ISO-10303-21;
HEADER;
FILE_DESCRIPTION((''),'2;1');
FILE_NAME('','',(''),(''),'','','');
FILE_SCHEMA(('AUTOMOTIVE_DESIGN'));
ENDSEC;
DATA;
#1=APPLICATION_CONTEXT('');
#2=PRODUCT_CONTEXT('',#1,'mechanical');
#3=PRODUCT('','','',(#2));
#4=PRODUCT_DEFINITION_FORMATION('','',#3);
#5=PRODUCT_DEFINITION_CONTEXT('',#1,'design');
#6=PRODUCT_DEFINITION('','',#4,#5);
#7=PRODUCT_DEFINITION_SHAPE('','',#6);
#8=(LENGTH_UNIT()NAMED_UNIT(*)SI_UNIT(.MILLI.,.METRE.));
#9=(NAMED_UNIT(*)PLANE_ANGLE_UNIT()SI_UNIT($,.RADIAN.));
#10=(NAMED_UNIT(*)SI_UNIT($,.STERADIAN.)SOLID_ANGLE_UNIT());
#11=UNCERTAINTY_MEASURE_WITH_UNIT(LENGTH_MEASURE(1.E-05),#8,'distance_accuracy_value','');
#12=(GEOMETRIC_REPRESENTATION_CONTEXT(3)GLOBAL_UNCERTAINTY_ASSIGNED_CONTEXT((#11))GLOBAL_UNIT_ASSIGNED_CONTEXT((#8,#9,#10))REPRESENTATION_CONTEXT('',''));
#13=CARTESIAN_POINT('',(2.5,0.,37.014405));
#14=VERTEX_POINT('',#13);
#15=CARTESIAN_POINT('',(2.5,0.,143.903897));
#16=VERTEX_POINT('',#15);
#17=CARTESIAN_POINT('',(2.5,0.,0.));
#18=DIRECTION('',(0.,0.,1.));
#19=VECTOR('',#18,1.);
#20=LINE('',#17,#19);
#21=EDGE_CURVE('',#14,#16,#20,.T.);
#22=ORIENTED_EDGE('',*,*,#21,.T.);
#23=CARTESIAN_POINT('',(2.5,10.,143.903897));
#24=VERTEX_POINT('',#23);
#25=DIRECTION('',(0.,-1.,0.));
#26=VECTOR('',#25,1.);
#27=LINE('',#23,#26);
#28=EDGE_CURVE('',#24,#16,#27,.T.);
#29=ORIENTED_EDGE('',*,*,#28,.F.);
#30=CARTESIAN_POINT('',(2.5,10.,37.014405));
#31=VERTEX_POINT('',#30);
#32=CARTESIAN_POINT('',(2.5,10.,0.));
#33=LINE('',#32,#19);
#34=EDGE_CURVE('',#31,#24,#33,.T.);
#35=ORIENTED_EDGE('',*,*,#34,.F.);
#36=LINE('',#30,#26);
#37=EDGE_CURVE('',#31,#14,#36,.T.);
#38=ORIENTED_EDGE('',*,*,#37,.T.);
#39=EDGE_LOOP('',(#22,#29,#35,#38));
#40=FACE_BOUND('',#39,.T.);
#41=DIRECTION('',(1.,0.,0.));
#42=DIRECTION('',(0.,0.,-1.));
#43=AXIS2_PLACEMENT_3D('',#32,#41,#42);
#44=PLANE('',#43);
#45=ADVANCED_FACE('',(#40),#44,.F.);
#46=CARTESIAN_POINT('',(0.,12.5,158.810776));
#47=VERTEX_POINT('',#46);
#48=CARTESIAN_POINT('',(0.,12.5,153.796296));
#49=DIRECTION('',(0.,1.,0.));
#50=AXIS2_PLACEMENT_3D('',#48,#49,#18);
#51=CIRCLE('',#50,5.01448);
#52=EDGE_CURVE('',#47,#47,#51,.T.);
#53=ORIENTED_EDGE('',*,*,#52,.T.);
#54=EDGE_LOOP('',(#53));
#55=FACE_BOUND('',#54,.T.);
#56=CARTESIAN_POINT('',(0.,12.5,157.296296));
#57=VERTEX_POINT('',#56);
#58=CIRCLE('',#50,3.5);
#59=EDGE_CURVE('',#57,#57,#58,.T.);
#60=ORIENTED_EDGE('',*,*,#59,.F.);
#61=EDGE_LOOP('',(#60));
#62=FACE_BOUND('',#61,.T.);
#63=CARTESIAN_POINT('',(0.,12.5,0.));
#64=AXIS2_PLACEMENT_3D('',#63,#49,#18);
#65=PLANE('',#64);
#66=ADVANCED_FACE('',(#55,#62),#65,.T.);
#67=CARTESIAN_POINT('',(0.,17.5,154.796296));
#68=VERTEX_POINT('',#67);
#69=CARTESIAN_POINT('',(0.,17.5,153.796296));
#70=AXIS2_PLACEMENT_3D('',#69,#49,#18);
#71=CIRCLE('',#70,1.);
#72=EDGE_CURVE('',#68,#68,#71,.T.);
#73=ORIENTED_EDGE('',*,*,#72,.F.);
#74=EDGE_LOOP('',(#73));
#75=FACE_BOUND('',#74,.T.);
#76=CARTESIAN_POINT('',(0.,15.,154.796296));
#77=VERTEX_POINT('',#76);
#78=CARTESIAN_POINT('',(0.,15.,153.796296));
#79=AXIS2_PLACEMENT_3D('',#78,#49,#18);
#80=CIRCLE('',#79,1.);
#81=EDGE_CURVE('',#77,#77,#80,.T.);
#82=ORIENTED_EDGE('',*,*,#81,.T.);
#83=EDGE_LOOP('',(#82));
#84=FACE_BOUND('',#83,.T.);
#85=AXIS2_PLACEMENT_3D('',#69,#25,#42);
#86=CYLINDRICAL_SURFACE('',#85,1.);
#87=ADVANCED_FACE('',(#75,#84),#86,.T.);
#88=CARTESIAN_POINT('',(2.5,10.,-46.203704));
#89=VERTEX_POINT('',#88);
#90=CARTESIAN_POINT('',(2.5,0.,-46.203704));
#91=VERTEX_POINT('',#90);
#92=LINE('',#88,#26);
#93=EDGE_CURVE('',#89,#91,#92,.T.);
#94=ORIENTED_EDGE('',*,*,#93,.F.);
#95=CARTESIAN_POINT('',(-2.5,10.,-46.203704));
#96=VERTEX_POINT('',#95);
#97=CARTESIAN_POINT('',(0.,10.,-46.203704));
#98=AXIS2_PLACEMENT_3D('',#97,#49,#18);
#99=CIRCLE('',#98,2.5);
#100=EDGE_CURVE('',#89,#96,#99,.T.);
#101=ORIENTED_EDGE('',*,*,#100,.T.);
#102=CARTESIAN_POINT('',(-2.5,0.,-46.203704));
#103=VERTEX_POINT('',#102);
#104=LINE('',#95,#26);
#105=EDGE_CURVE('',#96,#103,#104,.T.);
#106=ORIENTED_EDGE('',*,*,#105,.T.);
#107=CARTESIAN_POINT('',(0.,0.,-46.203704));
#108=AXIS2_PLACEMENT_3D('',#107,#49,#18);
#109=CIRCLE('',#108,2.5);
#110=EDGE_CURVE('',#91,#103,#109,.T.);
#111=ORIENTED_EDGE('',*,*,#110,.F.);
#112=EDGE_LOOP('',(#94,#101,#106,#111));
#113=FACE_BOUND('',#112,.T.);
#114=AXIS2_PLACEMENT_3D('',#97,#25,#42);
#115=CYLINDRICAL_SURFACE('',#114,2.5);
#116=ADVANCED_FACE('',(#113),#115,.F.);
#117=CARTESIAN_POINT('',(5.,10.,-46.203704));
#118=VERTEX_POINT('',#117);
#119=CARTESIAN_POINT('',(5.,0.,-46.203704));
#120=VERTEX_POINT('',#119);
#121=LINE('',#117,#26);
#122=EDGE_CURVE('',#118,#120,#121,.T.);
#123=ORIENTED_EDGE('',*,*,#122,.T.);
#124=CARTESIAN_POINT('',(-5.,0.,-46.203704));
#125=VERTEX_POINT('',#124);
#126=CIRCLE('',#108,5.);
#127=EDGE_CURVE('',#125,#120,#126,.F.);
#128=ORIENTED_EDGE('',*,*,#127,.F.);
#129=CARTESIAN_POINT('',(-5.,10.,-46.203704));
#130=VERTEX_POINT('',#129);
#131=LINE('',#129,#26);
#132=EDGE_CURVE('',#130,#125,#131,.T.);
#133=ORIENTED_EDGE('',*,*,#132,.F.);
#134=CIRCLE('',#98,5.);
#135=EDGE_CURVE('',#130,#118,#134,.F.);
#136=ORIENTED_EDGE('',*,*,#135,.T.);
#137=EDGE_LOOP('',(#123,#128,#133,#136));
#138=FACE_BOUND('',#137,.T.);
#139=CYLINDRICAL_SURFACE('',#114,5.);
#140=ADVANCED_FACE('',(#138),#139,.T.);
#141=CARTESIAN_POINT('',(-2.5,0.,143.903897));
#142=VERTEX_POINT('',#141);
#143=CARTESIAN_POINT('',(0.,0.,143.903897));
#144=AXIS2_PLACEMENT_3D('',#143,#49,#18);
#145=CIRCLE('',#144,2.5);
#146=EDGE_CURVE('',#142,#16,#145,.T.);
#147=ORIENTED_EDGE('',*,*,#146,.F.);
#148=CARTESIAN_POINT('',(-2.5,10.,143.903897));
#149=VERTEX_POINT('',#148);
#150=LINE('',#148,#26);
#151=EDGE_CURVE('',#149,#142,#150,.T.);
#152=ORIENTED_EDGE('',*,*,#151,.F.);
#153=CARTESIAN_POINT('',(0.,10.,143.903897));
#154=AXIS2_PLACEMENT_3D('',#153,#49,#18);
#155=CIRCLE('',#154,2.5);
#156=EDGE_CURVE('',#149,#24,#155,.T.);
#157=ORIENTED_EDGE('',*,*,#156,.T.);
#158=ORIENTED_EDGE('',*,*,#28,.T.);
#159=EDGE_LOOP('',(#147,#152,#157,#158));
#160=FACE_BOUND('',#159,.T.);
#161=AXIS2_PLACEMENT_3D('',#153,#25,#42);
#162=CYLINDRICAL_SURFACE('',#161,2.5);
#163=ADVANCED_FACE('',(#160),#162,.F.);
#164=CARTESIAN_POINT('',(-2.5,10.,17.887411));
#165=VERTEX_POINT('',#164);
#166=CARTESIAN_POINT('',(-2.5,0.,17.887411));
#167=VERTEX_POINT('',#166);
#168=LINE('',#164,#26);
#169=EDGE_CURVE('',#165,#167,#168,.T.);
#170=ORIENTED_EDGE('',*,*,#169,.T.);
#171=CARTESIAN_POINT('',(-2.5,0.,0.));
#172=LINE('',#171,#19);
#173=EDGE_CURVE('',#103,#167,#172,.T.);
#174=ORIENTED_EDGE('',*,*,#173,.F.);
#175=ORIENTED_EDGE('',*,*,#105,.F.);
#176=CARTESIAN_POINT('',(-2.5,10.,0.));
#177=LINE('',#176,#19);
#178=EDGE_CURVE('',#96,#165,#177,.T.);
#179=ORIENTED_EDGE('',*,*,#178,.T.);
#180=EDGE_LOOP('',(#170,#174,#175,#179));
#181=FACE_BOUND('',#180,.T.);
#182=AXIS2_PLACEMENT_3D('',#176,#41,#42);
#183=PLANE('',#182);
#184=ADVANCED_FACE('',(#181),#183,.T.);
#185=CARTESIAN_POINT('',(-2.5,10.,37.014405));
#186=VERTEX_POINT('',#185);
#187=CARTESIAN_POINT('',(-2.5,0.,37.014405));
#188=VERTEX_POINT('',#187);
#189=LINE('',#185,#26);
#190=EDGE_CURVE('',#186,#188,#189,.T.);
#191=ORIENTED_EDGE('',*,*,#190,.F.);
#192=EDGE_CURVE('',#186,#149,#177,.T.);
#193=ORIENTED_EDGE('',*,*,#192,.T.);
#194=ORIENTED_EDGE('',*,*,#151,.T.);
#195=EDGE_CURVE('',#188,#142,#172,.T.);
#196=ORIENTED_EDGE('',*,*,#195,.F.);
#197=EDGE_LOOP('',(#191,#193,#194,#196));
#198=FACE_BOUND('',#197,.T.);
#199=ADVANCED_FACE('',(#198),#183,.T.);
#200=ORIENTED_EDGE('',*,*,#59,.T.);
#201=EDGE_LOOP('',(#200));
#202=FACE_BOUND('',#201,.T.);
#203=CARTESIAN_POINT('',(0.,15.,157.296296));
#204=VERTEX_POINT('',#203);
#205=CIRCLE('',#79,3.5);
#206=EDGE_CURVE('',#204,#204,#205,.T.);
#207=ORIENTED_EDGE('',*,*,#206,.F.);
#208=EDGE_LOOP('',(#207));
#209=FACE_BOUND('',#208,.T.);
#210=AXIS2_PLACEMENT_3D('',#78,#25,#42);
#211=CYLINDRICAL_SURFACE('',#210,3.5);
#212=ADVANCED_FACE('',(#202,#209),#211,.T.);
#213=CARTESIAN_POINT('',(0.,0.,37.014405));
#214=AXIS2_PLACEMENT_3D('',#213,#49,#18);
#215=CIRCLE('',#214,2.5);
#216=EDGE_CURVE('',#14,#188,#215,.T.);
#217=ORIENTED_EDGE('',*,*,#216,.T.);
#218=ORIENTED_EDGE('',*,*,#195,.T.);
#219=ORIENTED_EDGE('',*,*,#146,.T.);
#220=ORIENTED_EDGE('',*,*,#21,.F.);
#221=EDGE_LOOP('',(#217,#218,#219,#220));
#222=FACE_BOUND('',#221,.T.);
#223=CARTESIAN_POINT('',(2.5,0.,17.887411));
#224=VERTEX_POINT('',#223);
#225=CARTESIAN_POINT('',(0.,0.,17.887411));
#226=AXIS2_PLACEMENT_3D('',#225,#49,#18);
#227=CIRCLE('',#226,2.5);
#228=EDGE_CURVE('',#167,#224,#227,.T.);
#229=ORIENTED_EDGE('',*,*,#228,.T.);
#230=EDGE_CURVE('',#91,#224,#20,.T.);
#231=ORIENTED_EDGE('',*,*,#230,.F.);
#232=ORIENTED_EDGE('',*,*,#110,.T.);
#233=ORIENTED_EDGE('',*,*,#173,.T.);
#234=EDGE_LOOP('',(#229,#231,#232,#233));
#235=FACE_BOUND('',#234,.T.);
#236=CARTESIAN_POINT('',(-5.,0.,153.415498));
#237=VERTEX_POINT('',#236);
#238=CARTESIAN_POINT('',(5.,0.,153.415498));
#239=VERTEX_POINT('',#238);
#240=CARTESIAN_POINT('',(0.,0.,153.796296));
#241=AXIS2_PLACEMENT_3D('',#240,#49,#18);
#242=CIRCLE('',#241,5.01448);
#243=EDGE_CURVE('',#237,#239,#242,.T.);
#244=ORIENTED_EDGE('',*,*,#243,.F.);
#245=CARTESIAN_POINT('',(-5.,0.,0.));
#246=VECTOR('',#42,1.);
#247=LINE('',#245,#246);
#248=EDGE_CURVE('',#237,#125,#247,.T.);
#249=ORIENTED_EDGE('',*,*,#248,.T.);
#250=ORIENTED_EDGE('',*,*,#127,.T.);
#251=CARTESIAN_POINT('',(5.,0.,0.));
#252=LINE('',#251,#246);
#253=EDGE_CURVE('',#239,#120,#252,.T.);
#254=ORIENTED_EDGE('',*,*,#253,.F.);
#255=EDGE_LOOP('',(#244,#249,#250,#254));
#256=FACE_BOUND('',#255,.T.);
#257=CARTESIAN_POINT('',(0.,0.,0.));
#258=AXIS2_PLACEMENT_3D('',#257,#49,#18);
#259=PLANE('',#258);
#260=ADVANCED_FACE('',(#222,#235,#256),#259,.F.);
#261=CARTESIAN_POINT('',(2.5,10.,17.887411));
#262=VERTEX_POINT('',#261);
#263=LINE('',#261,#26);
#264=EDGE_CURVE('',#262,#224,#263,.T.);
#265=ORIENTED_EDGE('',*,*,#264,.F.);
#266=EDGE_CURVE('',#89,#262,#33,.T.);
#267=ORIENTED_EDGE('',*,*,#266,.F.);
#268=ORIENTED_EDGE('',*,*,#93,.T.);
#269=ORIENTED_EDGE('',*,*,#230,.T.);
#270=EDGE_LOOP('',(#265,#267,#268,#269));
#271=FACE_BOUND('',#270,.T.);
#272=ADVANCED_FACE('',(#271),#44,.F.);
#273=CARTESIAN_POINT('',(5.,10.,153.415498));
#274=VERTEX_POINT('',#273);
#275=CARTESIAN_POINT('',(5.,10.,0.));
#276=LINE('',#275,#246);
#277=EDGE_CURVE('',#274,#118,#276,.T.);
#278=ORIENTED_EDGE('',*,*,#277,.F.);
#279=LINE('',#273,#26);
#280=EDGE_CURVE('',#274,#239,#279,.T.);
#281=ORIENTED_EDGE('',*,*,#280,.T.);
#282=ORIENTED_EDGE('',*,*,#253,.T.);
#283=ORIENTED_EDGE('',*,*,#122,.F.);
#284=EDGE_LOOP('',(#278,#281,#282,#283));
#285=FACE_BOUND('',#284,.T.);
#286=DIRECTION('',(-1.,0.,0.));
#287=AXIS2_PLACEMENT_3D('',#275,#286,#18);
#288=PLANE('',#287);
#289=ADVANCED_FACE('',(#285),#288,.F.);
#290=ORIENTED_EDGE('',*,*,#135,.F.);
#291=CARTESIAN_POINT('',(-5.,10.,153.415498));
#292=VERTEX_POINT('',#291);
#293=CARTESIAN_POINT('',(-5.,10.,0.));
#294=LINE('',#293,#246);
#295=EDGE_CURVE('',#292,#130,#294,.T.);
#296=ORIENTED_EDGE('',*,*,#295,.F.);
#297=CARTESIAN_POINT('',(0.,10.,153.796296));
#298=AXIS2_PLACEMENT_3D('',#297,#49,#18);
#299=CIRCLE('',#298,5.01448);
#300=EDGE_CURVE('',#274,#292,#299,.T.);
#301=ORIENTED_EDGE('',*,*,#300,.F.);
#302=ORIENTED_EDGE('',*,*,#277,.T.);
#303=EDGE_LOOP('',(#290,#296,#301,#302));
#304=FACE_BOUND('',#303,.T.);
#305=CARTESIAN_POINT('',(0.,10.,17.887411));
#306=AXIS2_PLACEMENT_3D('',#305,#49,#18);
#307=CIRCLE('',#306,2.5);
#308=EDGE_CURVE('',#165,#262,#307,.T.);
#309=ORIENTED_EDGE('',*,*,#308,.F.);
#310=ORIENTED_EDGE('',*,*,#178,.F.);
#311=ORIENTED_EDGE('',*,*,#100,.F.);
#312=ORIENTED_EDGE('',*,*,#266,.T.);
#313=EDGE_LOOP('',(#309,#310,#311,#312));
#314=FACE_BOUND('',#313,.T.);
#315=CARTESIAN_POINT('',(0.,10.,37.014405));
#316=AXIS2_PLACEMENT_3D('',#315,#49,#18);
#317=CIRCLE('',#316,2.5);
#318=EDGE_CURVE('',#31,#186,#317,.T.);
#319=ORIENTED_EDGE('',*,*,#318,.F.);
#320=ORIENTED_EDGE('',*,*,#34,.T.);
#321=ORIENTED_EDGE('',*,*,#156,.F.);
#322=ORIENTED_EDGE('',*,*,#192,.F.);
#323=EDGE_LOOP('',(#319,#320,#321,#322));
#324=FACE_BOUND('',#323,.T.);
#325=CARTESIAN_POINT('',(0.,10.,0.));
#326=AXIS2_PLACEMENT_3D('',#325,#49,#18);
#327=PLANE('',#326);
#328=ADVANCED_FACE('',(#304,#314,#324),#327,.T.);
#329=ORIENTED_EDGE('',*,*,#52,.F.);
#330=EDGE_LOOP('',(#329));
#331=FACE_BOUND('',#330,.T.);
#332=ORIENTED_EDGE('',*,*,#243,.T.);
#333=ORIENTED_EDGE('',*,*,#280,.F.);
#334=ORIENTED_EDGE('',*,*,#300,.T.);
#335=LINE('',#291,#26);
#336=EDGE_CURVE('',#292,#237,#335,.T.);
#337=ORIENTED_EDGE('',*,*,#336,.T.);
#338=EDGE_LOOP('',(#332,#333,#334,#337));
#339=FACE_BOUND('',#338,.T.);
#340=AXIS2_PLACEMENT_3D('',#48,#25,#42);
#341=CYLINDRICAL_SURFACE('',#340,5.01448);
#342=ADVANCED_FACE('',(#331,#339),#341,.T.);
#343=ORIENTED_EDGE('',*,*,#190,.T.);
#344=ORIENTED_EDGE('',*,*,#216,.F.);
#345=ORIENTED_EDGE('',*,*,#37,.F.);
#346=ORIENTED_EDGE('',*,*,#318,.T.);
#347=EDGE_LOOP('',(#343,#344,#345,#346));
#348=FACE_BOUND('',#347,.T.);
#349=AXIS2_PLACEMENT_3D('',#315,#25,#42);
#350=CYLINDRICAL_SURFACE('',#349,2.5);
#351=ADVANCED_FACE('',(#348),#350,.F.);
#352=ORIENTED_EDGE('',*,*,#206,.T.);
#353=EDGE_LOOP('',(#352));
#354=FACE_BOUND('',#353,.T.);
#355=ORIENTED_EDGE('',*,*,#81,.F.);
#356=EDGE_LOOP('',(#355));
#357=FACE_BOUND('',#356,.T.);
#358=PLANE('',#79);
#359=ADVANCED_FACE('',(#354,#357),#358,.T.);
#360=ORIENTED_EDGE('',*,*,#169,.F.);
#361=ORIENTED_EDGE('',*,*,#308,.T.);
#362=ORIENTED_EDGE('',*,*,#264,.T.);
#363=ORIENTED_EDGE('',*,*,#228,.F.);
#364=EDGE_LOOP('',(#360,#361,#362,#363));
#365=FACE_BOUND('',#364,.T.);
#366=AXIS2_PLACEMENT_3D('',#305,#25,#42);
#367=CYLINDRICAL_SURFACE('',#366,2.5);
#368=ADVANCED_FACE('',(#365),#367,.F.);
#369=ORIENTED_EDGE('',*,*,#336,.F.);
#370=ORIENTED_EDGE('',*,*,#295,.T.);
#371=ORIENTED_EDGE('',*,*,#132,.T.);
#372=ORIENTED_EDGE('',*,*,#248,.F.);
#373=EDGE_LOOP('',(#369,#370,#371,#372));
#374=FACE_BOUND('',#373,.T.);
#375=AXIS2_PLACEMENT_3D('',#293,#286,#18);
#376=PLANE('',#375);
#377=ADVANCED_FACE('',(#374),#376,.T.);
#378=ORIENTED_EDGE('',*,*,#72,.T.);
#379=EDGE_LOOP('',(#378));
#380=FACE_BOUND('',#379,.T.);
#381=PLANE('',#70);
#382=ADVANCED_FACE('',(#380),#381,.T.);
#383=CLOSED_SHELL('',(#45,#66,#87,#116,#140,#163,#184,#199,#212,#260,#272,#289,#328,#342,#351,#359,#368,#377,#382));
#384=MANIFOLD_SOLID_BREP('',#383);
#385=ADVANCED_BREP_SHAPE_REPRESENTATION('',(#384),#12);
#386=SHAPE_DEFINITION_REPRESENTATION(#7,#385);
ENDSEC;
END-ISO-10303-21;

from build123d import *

# Parameters (mm, degrees)
BOSS_EXTRUDE7_DEPTH  = 10
BOSS_EXTRUDE8_DEPTH  = 12.5
SKETCH2_R            = 3.5
BOSS_EXTRUDE9_DEPTH  = 2.5
SKETCH3_R            = 1
BOSS_EXTRUDE10_DEPTH = 2.5


with BuildPart() as part:
    # Sketch1 → Boss-Extrude7 (new body)
    with BuildSketch(Plane(origin=(0, 0, 0), x_dir=(1, 0, 0), z_dir=(0, 1, 0))):
        with BuildLine():
            Line((-5, 46.203703704), (-5, -153.415497967))
            ThreePointArc((-5, -153.415497967), (0, -148.781816526), (5, -153.415497967))
            Line((5, -153.415497967), (5, 46.203703704))
            ThreePointArc((5, 46.203703704), (0, 51.203703704), (-5, 46.203703704))
        make_face()
        with BuildLine():
            ThreePointArc((-2.5, -37.014405443), (0, -34.514405443), (2.5, -37.014405443))
            Line((2.5, -37.014405443), (2.5, -143.90389726))
            ThreePointArc((2.5, -143.90389726), (0, -146.40389726), (-2.5, -143.90389726))
            Line((-2.5, -143.90389726), (-2.5, -37.014405443))
        make_face(mode=Mode.SUBTRACT)
        with BuildLine():
            ThreePointArc((-2.5, 46.203703704), (0, 48.703703704), (2.5, 46.203703704))
            Line((2.5, 46.203703704), (2.5, -17.887410681))
            ThreePointArc((2.5, -17.887410681), (0, -20.387410681), (-2.5, -17.887410681))
            Line((-2.5, -17.887410681), (-2.5, 46.203703704))
        make_face(mode=Mode.SUBTRACT)
    extrude(amount=BOSS_EXTRUDE7_DEPTH)

    # Sketch1<11> → Boss-Extrude8 (add)
    with BuildSketch(Plane(origin=(0, 0, 0), x_dir=(1, 0, 0), z_dir=(0, 1, 0))):
        with BuildLine():
            ThreePointArc((5, -153.415497967), (0, -148.781816526), (-5, -153.415497967))
            ThreePointArc((-5, -153.415497967), (-0.190536762, -158.807154817), (5.01447977, -153.796296296))
            ThreePointArc((5.01447977, -153.796296296), (5.01085852, -153.605759534), (5, -153.415497967))
        make_face()
    extrude(amount=BOSS_EXTRUDE8_DEPTH)

    # Sketch2 → Boss-Extrude9 (add)
    with BuildSketch(Plane(origin=(0, 12.5, 0), x_dir=(1, 0, 0), z_dir=(0, 1, 0))):
        with Locations((0, -153.796296296)):
            Circle(SKETCH2_R)
    extrude(amount=BOSS_EXTRUDE9_DEPTH)

    # Sketch3 → Boss-Extrude10 (add)
    with BuildSketch(Plane(origin=(0, 15, 0), x_dir=(1, 0, 0), z_dir=(0, 1, 0))):
        with Locations((0, -153.796296296)):
            Circle(SKETCH3_R)
    extrude(amount=BOSS_EXTRUDE10_DEPTH)


solid = part.part
